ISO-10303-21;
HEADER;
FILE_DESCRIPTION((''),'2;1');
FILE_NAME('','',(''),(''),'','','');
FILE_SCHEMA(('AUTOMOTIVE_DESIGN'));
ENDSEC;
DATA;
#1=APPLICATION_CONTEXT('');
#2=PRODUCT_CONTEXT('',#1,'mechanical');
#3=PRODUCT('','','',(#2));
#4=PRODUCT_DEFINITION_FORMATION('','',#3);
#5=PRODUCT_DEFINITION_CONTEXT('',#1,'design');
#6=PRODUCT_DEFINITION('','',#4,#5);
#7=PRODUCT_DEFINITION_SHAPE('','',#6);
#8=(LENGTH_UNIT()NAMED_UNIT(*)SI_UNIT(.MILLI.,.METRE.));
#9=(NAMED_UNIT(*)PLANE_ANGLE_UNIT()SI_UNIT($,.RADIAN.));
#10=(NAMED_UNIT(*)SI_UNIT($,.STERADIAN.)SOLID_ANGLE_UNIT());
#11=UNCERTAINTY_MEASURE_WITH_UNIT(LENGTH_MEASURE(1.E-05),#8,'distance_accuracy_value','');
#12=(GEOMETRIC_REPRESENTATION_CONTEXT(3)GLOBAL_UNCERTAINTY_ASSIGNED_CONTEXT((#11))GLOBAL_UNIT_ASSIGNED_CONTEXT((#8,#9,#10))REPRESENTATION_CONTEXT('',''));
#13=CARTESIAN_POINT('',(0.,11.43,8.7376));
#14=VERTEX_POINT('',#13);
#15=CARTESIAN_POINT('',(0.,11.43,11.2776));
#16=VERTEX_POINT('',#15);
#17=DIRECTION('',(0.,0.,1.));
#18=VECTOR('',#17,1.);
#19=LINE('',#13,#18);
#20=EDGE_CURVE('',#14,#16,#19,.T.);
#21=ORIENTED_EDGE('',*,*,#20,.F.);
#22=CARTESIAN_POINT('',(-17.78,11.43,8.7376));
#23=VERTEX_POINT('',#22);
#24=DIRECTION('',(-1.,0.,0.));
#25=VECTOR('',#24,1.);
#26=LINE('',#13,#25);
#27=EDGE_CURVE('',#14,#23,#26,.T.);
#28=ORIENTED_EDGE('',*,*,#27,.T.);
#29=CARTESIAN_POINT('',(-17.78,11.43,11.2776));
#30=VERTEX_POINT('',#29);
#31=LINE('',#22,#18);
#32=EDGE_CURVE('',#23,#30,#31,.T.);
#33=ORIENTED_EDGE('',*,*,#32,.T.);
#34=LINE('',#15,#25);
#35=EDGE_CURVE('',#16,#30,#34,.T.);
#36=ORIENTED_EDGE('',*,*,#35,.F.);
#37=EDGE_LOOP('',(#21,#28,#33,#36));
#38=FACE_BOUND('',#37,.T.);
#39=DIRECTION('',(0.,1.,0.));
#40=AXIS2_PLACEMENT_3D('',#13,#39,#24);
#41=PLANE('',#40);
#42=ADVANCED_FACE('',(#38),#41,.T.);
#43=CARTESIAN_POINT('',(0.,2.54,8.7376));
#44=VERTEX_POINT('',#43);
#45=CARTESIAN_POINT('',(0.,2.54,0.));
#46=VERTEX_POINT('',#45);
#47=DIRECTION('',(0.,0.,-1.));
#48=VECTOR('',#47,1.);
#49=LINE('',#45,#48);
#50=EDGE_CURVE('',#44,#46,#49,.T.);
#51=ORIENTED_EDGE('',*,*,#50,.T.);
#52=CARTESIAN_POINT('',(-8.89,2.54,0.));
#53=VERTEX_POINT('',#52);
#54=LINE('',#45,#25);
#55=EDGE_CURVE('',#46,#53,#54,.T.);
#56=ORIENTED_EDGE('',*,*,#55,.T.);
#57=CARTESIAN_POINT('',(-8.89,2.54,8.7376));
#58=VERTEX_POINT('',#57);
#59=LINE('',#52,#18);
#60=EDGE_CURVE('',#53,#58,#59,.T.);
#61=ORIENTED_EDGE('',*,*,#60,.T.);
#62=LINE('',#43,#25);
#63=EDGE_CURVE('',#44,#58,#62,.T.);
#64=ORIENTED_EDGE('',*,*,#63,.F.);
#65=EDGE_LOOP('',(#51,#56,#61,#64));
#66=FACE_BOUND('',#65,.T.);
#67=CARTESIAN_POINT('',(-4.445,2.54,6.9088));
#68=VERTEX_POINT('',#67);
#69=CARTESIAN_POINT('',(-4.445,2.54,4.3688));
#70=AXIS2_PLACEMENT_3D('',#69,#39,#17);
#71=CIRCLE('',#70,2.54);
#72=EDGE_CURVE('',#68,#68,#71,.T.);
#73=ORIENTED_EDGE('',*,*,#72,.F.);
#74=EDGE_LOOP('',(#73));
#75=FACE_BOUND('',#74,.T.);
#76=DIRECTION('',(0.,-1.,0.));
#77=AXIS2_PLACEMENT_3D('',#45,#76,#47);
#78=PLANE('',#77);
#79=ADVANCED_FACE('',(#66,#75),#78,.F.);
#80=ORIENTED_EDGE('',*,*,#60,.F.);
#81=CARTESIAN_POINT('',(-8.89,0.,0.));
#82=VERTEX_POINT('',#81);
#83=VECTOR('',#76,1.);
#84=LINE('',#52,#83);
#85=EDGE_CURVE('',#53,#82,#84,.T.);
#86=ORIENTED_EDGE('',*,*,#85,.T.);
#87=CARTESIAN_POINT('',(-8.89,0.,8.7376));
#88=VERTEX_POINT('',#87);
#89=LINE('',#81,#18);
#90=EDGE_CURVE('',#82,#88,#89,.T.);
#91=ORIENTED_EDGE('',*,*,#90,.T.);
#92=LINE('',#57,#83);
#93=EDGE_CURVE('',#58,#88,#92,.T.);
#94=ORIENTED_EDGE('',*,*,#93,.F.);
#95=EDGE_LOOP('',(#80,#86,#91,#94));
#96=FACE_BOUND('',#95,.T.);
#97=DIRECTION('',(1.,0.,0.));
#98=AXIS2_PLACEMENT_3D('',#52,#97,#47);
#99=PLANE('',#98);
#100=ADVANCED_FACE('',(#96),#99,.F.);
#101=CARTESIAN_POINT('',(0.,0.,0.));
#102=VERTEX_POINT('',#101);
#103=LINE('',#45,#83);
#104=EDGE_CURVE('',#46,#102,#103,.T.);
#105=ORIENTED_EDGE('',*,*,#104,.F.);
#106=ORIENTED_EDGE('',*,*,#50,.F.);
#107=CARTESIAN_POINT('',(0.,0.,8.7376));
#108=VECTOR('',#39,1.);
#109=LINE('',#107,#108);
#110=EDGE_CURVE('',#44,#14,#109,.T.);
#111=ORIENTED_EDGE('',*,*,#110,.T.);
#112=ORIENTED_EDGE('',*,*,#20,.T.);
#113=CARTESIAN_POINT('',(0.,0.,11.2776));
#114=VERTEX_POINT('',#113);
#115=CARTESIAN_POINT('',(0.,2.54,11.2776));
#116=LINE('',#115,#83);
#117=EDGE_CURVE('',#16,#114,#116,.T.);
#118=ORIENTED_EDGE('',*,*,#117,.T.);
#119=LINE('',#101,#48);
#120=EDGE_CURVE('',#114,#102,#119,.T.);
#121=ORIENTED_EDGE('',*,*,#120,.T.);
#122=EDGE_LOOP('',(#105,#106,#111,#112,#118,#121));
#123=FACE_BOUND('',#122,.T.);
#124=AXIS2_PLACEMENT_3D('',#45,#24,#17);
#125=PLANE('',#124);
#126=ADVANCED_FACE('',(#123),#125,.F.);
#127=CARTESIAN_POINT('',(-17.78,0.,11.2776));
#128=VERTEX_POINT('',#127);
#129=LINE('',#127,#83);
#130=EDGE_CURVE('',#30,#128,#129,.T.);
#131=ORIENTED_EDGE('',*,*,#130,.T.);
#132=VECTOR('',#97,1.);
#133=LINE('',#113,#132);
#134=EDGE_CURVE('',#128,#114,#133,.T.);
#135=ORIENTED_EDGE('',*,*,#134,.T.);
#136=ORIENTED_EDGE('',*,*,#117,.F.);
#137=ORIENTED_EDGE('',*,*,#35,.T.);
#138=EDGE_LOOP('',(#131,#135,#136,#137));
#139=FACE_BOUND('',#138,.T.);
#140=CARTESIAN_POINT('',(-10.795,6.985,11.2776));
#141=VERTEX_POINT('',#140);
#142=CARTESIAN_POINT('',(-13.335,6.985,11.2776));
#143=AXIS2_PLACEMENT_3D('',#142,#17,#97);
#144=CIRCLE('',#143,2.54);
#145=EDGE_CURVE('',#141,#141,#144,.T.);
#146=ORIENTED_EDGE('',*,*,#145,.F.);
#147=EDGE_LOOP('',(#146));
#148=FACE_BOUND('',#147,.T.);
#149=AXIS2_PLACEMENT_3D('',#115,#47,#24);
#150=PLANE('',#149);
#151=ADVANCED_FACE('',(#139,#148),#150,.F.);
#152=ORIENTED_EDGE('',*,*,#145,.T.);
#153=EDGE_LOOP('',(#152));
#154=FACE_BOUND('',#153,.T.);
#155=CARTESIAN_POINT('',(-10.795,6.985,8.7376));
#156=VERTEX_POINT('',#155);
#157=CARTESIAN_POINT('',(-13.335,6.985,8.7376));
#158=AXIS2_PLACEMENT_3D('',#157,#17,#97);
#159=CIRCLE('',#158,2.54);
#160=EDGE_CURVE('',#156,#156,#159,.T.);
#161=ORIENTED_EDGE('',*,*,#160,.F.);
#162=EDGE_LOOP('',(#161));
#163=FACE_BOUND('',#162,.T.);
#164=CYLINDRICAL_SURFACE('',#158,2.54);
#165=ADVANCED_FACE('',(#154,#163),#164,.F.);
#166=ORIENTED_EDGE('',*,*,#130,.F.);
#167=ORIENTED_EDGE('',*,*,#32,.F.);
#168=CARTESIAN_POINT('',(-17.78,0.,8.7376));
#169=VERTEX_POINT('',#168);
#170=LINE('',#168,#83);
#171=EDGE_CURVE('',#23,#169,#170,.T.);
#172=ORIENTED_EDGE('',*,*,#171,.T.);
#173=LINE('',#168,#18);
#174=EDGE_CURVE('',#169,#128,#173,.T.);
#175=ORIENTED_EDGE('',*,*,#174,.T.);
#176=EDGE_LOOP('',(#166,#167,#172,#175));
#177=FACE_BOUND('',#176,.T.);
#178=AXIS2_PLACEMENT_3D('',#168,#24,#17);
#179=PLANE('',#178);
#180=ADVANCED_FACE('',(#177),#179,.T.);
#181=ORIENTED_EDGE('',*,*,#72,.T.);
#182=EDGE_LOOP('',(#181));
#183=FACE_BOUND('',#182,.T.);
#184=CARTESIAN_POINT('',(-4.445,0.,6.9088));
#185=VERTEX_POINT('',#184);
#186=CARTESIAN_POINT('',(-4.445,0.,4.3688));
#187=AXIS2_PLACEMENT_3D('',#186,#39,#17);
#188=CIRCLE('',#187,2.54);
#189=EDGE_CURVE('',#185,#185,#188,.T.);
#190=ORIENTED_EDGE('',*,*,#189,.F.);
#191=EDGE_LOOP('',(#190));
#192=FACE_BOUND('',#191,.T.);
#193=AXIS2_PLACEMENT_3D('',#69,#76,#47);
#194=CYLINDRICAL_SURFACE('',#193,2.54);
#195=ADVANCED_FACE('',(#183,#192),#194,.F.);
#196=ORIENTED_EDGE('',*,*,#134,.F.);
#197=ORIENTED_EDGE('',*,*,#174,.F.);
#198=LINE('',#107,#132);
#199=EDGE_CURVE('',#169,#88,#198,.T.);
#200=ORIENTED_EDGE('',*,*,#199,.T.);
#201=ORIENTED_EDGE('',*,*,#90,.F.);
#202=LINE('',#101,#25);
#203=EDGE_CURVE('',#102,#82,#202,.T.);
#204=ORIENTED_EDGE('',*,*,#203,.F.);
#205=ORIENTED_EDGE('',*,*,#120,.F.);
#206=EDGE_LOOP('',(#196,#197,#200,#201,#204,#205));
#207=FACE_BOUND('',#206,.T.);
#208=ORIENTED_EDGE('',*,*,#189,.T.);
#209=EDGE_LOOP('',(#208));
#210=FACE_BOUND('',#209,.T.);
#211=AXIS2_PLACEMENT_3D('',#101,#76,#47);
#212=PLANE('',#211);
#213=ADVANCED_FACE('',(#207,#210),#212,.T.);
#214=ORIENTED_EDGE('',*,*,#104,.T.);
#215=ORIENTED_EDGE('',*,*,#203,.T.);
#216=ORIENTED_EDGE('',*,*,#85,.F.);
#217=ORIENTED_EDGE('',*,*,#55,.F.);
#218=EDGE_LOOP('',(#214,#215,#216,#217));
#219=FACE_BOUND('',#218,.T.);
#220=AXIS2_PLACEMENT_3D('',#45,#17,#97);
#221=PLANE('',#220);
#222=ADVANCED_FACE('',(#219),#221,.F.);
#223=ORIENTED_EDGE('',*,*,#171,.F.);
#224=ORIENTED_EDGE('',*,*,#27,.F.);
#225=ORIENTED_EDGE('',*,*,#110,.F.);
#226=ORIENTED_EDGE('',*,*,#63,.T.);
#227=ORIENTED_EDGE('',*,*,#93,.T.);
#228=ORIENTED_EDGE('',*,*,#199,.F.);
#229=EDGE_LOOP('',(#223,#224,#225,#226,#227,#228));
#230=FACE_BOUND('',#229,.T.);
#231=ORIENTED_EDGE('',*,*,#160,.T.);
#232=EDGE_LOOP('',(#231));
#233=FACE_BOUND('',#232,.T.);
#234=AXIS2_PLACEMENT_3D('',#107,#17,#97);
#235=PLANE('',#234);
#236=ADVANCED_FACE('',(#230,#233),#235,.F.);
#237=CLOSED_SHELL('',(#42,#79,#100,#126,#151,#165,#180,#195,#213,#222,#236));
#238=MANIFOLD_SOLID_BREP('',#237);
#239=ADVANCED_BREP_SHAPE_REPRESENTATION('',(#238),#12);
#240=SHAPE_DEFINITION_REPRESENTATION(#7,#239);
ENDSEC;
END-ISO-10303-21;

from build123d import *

# Parameters (mm, degrees)
SKETCH1_W           = 8.89
SKETCH1_H           = 11.2776
SKETCH1_R           = 2.54
BOSS_EXTRUDE1_DEPTH = 2.54
SKETCH4_W           = 17.78
SKETCH4_H           = 11.43
SKETCH4_R           = 2.54
BOSS_EXTRUDE2_DEPTH = 2.54


with BuildPart() as part:
    # Sketch1 → Boss-Extrude1 (new body)
    with BuildSketch(Plane(origin=(0, 0, 0), x_dir=(1, 0, 0), z_dir=(0, 1, 0))):
        with Locations((-4.445, -5.6388)):
            Rectangle(SKETCH1_W, SKETCH1_H)
        with Locations((-4.445, -4.3688)):
            Circle(SKETCH1_R, mode=Mode.SUBTRACT)
    extrude(amount=BOSS_EXTRUDE1_DEPTH)

    # Sketch4 → Boss-Extrude2 (add)
    with BuildSketch(Plane.XY.offset(11.2776)):
        with Locations((-8.89, 5.715)):
            Rectangle(SKETCH4_W, SKETCH4_H)
        with Locations((-13.335, 6.985)):
            Circle(SKETCH4_R, mode=Mode.SUBTRACT)
    extrude(amount=-BOSS_EXTRUDE2_DEPTH)


solid = part.part
